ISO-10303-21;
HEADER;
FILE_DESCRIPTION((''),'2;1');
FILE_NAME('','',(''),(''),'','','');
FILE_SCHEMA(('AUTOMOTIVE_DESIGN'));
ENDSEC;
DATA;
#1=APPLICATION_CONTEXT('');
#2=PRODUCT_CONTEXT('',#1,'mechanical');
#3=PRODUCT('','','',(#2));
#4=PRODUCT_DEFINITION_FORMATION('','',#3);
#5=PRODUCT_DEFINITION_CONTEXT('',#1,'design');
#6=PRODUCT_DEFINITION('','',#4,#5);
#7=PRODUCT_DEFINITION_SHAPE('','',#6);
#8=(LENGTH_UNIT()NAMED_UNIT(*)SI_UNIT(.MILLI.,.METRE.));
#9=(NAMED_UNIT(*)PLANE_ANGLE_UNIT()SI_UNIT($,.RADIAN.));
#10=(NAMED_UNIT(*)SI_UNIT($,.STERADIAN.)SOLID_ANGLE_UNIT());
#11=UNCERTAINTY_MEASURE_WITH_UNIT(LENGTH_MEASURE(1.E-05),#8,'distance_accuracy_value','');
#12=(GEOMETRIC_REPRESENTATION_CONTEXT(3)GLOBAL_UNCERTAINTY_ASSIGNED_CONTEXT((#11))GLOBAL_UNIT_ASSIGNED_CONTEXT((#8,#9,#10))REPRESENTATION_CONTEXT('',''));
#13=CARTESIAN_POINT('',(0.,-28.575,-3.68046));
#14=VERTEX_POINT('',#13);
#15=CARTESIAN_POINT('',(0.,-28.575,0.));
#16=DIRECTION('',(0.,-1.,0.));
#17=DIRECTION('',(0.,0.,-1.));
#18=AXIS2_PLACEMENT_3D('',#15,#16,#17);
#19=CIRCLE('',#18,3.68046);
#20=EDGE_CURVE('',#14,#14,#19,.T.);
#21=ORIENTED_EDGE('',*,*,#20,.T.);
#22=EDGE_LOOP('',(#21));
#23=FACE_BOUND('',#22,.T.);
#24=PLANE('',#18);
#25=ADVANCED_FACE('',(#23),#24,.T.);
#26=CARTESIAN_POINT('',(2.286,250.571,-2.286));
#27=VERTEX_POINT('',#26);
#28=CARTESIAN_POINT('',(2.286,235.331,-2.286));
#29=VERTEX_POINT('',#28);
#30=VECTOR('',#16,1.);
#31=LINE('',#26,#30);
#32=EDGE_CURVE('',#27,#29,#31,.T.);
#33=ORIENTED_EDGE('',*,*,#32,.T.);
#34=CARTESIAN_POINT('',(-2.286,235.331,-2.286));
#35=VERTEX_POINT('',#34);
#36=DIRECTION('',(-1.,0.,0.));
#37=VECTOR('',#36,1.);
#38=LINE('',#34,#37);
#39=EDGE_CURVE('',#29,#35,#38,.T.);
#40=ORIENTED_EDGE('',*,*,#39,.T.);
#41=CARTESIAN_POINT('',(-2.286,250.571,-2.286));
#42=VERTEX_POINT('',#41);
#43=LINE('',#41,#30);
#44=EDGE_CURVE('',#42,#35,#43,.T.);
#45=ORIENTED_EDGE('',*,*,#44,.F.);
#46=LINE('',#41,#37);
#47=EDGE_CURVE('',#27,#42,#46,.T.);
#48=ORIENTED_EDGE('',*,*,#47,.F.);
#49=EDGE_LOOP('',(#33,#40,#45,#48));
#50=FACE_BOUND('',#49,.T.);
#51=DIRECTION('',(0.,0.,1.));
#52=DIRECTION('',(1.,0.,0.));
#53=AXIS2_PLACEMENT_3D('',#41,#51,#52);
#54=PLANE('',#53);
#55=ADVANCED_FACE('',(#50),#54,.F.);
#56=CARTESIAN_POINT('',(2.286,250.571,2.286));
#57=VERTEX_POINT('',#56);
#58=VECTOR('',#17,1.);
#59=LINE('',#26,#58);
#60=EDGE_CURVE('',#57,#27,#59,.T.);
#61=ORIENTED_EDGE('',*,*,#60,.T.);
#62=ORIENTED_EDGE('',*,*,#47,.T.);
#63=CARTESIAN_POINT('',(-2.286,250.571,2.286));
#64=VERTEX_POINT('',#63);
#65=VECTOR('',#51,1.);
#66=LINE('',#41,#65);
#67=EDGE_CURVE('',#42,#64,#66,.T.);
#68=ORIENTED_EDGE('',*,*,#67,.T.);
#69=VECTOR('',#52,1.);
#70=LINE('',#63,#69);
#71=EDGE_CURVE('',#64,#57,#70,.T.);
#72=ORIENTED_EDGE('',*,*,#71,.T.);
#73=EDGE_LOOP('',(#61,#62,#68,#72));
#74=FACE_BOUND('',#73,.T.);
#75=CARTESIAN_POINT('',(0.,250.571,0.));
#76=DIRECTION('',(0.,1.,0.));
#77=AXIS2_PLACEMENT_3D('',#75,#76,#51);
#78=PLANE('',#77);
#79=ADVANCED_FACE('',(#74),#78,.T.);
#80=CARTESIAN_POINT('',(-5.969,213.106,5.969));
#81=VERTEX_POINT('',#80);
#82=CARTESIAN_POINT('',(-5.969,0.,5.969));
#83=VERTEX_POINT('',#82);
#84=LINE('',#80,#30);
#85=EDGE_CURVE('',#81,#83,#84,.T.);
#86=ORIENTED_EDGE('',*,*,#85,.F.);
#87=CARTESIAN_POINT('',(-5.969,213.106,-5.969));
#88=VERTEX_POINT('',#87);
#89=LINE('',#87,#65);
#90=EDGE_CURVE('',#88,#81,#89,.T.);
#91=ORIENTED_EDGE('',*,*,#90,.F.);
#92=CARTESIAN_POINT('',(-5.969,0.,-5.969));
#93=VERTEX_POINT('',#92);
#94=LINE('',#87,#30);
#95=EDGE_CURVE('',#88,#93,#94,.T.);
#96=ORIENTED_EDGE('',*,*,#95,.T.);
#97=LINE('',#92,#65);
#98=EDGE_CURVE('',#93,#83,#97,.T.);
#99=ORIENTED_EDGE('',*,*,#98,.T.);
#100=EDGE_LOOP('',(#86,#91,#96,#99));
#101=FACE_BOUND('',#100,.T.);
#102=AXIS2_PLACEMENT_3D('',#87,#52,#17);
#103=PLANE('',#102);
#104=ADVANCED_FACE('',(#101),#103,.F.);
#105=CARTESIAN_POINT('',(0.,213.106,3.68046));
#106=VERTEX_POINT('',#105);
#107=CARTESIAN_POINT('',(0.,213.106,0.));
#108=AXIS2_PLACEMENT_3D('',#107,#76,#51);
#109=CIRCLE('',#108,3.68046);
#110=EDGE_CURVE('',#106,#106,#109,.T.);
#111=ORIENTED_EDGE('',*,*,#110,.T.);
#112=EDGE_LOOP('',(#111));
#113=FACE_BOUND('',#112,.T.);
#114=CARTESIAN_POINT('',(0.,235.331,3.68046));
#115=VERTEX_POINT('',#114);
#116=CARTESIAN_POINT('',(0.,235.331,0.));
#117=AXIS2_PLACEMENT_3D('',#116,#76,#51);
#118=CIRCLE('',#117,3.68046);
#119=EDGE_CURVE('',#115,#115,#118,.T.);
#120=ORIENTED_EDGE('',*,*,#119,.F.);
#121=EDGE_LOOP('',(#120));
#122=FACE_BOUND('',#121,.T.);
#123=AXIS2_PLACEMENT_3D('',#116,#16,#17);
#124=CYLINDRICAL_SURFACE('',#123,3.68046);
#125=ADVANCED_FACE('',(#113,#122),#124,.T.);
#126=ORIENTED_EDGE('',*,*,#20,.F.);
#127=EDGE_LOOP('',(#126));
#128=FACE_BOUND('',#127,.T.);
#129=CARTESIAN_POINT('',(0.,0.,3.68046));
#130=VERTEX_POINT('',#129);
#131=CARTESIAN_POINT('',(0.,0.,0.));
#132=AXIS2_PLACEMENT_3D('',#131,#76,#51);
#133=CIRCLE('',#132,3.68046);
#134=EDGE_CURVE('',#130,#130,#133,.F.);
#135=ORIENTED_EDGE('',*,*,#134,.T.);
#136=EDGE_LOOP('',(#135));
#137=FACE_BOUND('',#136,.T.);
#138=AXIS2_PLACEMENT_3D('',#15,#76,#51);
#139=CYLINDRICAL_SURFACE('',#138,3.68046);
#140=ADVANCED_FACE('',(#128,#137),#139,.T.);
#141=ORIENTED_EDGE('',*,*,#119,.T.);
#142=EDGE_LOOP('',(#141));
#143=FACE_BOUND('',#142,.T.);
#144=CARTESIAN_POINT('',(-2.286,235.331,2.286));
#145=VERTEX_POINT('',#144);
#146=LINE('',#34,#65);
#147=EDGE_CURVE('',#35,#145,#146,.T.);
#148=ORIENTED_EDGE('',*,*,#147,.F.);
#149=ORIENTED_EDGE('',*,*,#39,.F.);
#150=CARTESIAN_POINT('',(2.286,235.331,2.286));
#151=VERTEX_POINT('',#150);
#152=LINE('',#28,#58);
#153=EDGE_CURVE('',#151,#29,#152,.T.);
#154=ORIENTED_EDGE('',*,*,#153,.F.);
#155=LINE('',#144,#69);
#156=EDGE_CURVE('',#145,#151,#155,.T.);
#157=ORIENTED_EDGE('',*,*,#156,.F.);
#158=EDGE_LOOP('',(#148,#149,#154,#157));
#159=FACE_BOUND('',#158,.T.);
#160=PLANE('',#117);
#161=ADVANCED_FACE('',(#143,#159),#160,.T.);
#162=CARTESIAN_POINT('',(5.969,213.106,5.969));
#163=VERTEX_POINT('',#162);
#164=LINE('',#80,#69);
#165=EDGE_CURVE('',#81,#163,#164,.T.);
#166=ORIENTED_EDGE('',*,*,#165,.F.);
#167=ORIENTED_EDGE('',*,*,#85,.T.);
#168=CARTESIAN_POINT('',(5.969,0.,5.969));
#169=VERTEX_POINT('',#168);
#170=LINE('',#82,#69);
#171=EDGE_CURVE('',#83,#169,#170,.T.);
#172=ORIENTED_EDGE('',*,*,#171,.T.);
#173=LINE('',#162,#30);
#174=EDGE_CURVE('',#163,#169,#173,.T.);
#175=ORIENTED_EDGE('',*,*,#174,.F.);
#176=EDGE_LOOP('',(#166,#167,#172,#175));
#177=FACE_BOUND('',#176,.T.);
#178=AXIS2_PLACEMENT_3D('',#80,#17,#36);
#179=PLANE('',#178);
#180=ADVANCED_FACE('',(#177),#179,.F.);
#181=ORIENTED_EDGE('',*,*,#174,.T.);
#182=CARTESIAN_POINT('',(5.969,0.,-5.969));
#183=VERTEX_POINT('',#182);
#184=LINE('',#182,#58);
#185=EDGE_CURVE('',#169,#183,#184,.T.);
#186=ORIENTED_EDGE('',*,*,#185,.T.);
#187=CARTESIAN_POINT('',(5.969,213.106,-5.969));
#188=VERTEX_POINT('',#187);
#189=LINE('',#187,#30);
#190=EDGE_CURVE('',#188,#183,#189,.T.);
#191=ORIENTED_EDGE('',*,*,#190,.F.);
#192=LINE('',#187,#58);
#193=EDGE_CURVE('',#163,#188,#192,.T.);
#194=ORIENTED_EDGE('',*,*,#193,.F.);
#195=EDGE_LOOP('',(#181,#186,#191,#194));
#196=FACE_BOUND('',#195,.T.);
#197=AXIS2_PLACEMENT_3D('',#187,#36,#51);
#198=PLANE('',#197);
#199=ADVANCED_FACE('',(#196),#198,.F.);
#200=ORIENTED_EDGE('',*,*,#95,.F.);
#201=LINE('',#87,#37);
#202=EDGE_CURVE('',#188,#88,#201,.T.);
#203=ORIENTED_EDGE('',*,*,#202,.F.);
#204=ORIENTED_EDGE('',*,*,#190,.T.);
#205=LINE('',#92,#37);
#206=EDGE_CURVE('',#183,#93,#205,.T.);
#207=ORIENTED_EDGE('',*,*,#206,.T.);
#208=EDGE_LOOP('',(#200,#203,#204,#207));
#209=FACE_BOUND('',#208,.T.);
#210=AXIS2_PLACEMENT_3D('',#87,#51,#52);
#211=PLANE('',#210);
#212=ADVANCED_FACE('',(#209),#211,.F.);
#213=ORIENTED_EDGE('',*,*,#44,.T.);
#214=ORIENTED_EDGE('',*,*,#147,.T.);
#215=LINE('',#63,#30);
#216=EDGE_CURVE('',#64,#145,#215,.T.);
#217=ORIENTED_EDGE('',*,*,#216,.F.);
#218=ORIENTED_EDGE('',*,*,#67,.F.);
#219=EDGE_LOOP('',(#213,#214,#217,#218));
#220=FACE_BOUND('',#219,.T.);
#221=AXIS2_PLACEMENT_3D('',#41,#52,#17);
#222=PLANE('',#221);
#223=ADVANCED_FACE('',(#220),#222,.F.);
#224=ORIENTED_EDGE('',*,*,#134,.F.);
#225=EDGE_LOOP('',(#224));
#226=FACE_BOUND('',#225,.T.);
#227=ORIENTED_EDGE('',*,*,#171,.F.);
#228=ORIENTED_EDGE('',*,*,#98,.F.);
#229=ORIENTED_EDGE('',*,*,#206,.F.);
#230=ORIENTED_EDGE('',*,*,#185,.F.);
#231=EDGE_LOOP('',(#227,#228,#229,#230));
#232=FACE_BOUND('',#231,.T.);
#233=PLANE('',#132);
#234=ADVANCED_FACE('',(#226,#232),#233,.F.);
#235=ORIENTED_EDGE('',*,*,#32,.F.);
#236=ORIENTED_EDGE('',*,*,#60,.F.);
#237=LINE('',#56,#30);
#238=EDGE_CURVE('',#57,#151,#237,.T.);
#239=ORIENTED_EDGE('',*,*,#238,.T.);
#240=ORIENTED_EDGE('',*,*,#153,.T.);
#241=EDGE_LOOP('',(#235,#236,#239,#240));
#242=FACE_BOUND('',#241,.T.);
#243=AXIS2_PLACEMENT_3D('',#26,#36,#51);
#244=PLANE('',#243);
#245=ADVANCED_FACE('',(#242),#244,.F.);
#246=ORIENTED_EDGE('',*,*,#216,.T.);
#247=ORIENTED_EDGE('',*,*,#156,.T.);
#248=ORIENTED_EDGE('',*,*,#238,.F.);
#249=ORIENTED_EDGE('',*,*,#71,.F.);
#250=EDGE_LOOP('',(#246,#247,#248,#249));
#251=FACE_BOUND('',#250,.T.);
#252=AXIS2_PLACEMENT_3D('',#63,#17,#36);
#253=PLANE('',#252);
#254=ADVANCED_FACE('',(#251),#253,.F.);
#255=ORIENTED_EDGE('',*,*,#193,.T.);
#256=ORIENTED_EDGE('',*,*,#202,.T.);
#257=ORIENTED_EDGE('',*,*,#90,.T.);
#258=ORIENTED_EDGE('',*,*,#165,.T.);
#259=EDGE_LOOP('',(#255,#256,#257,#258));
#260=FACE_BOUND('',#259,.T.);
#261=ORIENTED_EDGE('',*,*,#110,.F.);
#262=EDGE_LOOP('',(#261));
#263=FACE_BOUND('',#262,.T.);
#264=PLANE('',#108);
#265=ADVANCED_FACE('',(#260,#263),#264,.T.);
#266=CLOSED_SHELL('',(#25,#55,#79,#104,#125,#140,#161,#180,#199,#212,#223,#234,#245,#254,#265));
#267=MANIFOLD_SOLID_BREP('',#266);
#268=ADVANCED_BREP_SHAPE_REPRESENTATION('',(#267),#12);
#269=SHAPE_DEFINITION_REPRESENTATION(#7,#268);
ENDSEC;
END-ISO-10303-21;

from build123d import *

# Parameters (mm, degrees)
SKETCH1_W           = 11.938
SKETCH1_H           = 11.938
BOSS_EXTRUDE1_DEPTH = 213.106
SKETCH2_R           = 3.68046
BOSS_EXTRUDE2_DEPTH = 22.225
SKETCH3_R           = 3.68046
BOSS_EXTRUDE3_DEPTH = 28.575
SKETCH4_W           = 4.572
SKETCH4_H           = 4.572
BOSS_EXTRUDE4_DEPTH = 15.24


with BuildPart() as part:
    # Sketch1 → Boss-Extrude1 (new body)
    with BuildSketch(Plane(origin=(0, 0, 0), x_dir=(1, 0, 0), z_dir=(0, 1, 0))):
        Rectangle(SKETCH1_W, SKETCH1_H)
    extrude(amount=BOSS_EXTRUDE1_DEPTH)

    # Sketch2 → Boss-Extrude2 (add)
    with BuildSketch(Plane(origin=(0, 213.106, 0), x_dir=(1, 0, 0), z_dir=(0, 1, 0))):
        Circle(SKETCH2_R)
    extrude(amount=BOSS_EXTRUDE2_DEPTH)

    # Sketch3 → Boss-Extrude3 (add)
    with BuildSketch(Plane(origin=(0, 0, 0), x_dir=(-1, 0, 0), z_dir=(0, -1, 0))):
        Circle(SKETCH3_R)
    extrude(amount=BOSS_EXTRUDE3_DEPTH)

    # Sketch4 → Boss-Extrude4 (add)
    with BuildSketch(Plane(origin=(0, 235.331, 0), x_dir=(1, 0, 0), z_dir=(0, 1, 0))):
        Rectangle(SKETCH4_W, SKETCH4_H)
    extrude(amount=BOSS_EXTRUDE4_DEPTH)


solid = part.part
